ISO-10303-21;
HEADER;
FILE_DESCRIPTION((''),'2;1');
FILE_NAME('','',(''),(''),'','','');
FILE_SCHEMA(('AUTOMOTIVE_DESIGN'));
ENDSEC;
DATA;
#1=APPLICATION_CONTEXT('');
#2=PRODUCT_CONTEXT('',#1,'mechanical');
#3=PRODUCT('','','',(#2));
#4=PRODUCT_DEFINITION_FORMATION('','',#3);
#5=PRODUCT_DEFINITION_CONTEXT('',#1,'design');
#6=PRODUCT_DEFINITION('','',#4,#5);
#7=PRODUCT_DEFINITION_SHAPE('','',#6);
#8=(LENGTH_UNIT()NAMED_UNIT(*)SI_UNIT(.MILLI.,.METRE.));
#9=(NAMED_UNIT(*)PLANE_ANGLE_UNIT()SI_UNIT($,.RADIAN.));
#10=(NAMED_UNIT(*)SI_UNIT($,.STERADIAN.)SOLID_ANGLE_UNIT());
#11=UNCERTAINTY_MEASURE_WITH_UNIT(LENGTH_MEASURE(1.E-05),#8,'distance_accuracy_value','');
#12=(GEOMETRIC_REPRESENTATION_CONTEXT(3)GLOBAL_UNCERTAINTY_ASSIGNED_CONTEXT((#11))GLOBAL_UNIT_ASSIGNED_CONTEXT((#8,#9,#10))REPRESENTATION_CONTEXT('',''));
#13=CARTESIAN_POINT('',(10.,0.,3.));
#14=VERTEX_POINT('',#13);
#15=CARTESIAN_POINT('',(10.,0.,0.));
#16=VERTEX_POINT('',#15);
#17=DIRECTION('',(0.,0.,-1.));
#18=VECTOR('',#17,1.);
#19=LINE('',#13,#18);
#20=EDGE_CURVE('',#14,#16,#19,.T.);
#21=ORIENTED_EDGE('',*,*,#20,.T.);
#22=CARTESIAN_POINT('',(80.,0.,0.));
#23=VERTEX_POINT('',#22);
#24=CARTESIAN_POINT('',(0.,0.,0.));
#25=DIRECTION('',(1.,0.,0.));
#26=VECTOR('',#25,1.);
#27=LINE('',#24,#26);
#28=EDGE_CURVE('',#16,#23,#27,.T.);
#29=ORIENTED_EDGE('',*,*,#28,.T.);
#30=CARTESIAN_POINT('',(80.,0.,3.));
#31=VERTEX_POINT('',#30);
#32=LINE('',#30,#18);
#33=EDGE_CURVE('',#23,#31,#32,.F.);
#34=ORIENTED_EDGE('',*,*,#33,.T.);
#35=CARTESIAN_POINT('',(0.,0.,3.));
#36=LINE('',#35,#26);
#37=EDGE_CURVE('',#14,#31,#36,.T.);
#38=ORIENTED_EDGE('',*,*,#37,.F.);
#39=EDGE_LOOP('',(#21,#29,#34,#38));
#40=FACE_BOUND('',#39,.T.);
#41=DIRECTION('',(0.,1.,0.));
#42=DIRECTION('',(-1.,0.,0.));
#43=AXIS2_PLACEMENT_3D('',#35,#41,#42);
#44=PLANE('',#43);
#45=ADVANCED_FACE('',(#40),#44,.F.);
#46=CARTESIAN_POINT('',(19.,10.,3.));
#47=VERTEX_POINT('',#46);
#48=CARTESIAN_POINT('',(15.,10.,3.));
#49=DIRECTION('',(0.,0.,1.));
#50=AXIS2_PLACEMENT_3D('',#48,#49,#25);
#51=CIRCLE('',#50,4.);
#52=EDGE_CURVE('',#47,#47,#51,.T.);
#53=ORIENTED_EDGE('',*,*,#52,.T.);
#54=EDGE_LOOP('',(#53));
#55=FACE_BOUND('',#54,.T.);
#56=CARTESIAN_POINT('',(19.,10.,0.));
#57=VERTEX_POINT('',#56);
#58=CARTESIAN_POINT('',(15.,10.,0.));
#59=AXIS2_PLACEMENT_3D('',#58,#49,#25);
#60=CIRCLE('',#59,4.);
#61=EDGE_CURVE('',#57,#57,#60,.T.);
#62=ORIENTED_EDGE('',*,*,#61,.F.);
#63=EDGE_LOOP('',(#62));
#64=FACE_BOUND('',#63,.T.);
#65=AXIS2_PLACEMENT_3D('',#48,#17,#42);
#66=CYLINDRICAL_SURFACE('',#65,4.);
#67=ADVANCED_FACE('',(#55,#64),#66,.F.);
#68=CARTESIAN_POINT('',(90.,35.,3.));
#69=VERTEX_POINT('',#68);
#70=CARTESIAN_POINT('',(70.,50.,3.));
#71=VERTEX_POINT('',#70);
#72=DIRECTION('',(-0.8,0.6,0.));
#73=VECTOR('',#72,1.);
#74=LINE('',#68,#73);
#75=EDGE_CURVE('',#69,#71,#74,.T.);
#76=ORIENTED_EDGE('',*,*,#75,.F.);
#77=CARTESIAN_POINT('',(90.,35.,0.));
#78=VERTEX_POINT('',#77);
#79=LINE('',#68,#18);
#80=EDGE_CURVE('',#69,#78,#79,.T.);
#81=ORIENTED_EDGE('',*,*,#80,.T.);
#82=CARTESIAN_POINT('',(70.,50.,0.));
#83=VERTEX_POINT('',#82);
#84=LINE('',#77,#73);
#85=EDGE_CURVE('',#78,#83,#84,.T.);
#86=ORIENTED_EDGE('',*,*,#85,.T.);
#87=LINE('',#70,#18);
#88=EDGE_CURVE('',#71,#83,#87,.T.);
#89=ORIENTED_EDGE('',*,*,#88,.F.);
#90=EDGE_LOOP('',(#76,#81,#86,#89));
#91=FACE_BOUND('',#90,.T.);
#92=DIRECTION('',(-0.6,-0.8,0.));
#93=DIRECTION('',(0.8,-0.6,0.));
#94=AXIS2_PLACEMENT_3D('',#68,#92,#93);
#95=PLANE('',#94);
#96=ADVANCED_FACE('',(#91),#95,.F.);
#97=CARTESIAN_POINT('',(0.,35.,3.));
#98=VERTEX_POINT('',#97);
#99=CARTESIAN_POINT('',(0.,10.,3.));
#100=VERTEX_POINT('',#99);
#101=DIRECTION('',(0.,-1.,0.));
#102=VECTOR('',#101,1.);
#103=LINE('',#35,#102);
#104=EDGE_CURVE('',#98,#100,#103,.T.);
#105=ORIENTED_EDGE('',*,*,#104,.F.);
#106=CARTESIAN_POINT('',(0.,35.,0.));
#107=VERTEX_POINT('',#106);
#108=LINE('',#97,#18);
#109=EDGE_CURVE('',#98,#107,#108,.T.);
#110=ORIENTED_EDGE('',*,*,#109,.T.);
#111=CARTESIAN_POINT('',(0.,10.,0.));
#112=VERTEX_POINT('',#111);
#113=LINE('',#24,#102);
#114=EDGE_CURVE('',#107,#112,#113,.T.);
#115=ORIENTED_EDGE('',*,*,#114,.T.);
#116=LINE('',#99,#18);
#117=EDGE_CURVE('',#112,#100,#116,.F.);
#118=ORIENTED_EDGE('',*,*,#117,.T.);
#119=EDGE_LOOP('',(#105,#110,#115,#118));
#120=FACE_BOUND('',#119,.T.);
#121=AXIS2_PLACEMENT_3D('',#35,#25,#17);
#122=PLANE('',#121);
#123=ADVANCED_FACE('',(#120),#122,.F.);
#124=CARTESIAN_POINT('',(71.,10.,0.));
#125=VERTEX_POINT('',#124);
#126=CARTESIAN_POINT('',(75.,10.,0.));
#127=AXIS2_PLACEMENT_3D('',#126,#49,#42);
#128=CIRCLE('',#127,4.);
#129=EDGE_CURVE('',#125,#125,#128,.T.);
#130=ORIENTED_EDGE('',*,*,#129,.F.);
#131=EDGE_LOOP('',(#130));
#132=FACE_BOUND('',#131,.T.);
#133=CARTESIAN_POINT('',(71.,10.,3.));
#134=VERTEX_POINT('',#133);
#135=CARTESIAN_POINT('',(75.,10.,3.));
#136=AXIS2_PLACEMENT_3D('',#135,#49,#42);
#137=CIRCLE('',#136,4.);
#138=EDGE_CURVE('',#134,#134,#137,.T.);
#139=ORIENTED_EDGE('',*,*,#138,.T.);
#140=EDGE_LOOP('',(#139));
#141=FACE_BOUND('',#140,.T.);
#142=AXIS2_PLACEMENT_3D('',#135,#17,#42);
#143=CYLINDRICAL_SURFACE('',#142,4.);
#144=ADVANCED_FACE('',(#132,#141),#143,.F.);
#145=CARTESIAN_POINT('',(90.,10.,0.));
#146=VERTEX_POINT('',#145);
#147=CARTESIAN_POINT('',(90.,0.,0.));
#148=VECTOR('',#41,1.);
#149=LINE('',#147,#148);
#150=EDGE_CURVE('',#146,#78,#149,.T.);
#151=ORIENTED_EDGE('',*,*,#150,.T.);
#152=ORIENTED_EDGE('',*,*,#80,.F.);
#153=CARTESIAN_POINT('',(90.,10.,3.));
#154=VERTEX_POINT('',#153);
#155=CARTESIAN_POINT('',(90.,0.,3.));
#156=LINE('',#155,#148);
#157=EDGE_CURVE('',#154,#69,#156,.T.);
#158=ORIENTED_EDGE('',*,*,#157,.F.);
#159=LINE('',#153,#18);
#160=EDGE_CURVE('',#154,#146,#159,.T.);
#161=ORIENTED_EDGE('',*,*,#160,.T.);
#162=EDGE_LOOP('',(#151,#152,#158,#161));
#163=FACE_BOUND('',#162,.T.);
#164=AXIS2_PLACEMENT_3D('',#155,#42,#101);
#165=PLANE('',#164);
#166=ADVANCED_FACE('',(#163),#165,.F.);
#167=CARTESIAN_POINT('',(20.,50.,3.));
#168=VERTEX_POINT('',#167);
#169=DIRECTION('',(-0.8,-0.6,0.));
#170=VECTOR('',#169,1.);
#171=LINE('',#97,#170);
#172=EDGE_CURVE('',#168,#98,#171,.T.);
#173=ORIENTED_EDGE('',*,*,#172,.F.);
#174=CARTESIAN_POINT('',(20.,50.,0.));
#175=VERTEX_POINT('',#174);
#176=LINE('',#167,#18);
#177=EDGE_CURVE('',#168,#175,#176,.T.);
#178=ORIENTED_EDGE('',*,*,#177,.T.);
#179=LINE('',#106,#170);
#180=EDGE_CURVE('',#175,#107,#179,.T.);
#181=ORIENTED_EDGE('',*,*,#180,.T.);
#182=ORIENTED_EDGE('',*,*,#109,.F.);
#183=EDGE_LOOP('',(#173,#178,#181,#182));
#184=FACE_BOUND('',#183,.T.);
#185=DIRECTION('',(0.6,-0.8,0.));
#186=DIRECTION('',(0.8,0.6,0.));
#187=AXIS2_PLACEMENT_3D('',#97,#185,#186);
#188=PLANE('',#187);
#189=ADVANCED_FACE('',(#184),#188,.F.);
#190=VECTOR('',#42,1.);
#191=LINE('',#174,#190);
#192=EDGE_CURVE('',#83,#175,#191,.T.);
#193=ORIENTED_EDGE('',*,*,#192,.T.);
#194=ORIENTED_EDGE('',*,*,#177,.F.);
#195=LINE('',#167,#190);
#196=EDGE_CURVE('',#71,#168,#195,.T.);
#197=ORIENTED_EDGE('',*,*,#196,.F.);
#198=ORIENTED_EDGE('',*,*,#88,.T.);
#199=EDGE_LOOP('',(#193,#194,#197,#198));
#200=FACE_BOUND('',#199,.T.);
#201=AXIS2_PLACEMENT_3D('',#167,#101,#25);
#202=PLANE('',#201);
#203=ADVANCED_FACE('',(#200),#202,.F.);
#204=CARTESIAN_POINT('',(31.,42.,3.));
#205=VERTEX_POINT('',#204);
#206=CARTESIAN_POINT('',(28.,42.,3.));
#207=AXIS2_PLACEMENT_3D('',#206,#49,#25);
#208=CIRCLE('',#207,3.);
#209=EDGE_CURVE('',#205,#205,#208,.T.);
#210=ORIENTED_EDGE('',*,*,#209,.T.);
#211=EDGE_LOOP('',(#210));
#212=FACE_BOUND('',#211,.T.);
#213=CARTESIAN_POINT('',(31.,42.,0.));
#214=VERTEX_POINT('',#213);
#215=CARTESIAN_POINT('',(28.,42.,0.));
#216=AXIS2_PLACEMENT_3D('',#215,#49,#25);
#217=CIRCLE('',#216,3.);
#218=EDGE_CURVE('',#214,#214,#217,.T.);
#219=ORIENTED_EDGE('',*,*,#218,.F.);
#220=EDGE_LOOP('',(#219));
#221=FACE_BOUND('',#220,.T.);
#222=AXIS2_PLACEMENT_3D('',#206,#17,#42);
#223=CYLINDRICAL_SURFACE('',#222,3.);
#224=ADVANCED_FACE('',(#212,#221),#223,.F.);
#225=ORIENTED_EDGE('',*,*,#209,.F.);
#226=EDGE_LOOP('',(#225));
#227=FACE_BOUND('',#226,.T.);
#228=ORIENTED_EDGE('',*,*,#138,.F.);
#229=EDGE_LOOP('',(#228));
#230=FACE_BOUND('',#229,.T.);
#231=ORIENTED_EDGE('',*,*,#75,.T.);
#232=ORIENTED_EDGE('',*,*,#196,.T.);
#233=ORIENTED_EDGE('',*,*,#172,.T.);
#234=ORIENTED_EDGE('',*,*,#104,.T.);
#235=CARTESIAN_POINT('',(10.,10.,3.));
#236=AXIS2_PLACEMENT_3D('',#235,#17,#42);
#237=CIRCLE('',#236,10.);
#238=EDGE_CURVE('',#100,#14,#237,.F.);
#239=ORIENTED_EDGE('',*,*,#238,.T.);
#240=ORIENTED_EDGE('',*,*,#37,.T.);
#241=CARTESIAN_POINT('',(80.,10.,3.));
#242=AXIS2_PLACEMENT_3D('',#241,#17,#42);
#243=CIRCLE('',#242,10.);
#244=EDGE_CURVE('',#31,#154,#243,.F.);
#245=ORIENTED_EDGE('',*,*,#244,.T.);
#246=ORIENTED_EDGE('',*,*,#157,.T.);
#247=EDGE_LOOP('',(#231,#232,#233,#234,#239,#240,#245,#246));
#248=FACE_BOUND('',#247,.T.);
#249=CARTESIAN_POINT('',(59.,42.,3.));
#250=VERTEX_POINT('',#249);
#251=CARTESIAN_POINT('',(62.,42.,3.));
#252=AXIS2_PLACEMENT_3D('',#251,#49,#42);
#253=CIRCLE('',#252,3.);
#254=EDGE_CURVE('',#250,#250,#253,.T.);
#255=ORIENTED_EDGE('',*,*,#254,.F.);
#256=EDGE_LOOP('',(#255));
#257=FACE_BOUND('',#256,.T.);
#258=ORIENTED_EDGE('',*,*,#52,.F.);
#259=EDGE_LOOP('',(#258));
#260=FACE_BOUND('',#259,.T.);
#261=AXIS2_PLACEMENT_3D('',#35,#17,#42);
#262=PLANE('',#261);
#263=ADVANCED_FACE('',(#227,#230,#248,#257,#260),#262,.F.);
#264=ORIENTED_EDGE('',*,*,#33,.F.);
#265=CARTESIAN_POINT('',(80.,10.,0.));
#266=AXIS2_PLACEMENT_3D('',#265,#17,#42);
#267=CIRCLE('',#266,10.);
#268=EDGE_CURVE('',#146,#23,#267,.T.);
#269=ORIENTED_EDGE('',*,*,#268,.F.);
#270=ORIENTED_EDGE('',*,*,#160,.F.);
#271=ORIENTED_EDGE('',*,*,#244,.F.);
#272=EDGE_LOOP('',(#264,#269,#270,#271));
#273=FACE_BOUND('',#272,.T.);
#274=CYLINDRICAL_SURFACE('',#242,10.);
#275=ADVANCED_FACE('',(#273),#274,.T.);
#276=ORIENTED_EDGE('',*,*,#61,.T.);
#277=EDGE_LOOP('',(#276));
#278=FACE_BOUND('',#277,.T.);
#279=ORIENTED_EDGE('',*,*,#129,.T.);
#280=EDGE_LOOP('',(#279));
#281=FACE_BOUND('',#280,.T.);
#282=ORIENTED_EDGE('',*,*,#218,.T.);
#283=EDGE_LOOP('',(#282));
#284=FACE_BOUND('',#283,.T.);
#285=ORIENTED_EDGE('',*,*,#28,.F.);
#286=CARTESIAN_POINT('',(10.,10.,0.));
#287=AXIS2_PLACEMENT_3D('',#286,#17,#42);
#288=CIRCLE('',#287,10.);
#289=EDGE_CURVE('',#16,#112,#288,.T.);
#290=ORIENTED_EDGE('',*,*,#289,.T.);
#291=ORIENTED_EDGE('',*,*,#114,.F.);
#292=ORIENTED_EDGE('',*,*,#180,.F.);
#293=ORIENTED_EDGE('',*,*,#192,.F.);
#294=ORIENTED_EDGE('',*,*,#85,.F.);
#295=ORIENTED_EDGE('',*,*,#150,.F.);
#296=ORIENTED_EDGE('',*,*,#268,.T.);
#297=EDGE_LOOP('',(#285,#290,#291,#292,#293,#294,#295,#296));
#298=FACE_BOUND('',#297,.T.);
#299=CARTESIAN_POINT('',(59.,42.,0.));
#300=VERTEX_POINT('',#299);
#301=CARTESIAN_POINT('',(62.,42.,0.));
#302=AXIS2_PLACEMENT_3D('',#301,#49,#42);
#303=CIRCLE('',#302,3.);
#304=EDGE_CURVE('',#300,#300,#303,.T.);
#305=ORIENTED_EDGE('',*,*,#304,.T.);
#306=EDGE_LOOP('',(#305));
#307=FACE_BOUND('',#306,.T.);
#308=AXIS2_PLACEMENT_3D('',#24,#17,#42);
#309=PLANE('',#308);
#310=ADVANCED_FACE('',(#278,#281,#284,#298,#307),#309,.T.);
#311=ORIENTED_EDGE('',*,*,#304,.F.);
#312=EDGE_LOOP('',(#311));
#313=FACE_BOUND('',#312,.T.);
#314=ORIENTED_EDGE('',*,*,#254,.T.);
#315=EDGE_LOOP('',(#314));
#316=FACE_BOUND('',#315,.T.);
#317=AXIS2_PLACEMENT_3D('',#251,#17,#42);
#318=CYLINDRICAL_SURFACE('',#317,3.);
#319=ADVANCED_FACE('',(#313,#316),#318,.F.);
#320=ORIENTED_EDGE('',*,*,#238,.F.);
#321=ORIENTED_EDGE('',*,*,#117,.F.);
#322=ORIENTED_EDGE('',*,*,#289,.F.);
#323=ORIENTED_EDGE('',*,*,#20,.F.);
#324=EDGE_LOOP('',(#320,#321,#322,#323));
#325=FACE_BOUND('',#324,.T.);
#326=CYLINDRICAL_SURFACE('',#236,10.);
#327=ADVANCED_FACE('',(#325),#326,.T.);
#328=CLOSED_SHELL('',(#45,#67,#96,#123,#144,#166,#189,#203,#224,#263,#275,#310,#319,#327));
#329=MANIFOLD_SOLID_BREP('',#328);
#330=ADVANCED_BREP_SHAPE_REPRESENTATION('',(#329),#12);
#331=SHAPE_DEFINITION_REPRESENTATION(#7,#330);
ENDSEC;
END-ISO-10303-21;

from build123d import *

# Parameters (mm, degrees)
SKETCH1_R           = 3
SKETCH1_R_2         = 4
BOSS_EXTRUDE1_DEPTH = 3
FILLET1_R           = 10


with BuildPart() as part:
    # Sketch1 → Boss-Extrude1 (new body)
    with BuildSketch(Plane.XY):
        Polygon((0, 35), (20, 50), (70, 50), (90, 35), (90, 0), (0, 0), align=None)
        with Locations((28, 42)):
            Circle(SKETCH1_R, mode=Mode.SUBTRACT)
        with Locations((15, 10)):
            Circle(SKETCH1_R_2, mode=Mode.SUBTRACT)
        with Locations(Location((75, 10, 0), (0, 0, 180))):
            Circle(SKETCH1_R_2, mode=Mode.SUBTRACT)
        with Locations(Location((62, 42, 0), (0, 0, 180))):
            Circle(SKETCH1_R, mode=Mode.SUBTRACT)
    extrude(amount=BOSS_EXTRUDE1_DEPTH)

    # Fillet1
    fillet1_edges = [part.edges().sort_by_distance(p)[0] for p in [
        (90, 0, 1.5),
        (0, 0, 1.5),
    ]]
    fillet(fillet1_edges, radius=FILLET1_R)


solid = part.part
